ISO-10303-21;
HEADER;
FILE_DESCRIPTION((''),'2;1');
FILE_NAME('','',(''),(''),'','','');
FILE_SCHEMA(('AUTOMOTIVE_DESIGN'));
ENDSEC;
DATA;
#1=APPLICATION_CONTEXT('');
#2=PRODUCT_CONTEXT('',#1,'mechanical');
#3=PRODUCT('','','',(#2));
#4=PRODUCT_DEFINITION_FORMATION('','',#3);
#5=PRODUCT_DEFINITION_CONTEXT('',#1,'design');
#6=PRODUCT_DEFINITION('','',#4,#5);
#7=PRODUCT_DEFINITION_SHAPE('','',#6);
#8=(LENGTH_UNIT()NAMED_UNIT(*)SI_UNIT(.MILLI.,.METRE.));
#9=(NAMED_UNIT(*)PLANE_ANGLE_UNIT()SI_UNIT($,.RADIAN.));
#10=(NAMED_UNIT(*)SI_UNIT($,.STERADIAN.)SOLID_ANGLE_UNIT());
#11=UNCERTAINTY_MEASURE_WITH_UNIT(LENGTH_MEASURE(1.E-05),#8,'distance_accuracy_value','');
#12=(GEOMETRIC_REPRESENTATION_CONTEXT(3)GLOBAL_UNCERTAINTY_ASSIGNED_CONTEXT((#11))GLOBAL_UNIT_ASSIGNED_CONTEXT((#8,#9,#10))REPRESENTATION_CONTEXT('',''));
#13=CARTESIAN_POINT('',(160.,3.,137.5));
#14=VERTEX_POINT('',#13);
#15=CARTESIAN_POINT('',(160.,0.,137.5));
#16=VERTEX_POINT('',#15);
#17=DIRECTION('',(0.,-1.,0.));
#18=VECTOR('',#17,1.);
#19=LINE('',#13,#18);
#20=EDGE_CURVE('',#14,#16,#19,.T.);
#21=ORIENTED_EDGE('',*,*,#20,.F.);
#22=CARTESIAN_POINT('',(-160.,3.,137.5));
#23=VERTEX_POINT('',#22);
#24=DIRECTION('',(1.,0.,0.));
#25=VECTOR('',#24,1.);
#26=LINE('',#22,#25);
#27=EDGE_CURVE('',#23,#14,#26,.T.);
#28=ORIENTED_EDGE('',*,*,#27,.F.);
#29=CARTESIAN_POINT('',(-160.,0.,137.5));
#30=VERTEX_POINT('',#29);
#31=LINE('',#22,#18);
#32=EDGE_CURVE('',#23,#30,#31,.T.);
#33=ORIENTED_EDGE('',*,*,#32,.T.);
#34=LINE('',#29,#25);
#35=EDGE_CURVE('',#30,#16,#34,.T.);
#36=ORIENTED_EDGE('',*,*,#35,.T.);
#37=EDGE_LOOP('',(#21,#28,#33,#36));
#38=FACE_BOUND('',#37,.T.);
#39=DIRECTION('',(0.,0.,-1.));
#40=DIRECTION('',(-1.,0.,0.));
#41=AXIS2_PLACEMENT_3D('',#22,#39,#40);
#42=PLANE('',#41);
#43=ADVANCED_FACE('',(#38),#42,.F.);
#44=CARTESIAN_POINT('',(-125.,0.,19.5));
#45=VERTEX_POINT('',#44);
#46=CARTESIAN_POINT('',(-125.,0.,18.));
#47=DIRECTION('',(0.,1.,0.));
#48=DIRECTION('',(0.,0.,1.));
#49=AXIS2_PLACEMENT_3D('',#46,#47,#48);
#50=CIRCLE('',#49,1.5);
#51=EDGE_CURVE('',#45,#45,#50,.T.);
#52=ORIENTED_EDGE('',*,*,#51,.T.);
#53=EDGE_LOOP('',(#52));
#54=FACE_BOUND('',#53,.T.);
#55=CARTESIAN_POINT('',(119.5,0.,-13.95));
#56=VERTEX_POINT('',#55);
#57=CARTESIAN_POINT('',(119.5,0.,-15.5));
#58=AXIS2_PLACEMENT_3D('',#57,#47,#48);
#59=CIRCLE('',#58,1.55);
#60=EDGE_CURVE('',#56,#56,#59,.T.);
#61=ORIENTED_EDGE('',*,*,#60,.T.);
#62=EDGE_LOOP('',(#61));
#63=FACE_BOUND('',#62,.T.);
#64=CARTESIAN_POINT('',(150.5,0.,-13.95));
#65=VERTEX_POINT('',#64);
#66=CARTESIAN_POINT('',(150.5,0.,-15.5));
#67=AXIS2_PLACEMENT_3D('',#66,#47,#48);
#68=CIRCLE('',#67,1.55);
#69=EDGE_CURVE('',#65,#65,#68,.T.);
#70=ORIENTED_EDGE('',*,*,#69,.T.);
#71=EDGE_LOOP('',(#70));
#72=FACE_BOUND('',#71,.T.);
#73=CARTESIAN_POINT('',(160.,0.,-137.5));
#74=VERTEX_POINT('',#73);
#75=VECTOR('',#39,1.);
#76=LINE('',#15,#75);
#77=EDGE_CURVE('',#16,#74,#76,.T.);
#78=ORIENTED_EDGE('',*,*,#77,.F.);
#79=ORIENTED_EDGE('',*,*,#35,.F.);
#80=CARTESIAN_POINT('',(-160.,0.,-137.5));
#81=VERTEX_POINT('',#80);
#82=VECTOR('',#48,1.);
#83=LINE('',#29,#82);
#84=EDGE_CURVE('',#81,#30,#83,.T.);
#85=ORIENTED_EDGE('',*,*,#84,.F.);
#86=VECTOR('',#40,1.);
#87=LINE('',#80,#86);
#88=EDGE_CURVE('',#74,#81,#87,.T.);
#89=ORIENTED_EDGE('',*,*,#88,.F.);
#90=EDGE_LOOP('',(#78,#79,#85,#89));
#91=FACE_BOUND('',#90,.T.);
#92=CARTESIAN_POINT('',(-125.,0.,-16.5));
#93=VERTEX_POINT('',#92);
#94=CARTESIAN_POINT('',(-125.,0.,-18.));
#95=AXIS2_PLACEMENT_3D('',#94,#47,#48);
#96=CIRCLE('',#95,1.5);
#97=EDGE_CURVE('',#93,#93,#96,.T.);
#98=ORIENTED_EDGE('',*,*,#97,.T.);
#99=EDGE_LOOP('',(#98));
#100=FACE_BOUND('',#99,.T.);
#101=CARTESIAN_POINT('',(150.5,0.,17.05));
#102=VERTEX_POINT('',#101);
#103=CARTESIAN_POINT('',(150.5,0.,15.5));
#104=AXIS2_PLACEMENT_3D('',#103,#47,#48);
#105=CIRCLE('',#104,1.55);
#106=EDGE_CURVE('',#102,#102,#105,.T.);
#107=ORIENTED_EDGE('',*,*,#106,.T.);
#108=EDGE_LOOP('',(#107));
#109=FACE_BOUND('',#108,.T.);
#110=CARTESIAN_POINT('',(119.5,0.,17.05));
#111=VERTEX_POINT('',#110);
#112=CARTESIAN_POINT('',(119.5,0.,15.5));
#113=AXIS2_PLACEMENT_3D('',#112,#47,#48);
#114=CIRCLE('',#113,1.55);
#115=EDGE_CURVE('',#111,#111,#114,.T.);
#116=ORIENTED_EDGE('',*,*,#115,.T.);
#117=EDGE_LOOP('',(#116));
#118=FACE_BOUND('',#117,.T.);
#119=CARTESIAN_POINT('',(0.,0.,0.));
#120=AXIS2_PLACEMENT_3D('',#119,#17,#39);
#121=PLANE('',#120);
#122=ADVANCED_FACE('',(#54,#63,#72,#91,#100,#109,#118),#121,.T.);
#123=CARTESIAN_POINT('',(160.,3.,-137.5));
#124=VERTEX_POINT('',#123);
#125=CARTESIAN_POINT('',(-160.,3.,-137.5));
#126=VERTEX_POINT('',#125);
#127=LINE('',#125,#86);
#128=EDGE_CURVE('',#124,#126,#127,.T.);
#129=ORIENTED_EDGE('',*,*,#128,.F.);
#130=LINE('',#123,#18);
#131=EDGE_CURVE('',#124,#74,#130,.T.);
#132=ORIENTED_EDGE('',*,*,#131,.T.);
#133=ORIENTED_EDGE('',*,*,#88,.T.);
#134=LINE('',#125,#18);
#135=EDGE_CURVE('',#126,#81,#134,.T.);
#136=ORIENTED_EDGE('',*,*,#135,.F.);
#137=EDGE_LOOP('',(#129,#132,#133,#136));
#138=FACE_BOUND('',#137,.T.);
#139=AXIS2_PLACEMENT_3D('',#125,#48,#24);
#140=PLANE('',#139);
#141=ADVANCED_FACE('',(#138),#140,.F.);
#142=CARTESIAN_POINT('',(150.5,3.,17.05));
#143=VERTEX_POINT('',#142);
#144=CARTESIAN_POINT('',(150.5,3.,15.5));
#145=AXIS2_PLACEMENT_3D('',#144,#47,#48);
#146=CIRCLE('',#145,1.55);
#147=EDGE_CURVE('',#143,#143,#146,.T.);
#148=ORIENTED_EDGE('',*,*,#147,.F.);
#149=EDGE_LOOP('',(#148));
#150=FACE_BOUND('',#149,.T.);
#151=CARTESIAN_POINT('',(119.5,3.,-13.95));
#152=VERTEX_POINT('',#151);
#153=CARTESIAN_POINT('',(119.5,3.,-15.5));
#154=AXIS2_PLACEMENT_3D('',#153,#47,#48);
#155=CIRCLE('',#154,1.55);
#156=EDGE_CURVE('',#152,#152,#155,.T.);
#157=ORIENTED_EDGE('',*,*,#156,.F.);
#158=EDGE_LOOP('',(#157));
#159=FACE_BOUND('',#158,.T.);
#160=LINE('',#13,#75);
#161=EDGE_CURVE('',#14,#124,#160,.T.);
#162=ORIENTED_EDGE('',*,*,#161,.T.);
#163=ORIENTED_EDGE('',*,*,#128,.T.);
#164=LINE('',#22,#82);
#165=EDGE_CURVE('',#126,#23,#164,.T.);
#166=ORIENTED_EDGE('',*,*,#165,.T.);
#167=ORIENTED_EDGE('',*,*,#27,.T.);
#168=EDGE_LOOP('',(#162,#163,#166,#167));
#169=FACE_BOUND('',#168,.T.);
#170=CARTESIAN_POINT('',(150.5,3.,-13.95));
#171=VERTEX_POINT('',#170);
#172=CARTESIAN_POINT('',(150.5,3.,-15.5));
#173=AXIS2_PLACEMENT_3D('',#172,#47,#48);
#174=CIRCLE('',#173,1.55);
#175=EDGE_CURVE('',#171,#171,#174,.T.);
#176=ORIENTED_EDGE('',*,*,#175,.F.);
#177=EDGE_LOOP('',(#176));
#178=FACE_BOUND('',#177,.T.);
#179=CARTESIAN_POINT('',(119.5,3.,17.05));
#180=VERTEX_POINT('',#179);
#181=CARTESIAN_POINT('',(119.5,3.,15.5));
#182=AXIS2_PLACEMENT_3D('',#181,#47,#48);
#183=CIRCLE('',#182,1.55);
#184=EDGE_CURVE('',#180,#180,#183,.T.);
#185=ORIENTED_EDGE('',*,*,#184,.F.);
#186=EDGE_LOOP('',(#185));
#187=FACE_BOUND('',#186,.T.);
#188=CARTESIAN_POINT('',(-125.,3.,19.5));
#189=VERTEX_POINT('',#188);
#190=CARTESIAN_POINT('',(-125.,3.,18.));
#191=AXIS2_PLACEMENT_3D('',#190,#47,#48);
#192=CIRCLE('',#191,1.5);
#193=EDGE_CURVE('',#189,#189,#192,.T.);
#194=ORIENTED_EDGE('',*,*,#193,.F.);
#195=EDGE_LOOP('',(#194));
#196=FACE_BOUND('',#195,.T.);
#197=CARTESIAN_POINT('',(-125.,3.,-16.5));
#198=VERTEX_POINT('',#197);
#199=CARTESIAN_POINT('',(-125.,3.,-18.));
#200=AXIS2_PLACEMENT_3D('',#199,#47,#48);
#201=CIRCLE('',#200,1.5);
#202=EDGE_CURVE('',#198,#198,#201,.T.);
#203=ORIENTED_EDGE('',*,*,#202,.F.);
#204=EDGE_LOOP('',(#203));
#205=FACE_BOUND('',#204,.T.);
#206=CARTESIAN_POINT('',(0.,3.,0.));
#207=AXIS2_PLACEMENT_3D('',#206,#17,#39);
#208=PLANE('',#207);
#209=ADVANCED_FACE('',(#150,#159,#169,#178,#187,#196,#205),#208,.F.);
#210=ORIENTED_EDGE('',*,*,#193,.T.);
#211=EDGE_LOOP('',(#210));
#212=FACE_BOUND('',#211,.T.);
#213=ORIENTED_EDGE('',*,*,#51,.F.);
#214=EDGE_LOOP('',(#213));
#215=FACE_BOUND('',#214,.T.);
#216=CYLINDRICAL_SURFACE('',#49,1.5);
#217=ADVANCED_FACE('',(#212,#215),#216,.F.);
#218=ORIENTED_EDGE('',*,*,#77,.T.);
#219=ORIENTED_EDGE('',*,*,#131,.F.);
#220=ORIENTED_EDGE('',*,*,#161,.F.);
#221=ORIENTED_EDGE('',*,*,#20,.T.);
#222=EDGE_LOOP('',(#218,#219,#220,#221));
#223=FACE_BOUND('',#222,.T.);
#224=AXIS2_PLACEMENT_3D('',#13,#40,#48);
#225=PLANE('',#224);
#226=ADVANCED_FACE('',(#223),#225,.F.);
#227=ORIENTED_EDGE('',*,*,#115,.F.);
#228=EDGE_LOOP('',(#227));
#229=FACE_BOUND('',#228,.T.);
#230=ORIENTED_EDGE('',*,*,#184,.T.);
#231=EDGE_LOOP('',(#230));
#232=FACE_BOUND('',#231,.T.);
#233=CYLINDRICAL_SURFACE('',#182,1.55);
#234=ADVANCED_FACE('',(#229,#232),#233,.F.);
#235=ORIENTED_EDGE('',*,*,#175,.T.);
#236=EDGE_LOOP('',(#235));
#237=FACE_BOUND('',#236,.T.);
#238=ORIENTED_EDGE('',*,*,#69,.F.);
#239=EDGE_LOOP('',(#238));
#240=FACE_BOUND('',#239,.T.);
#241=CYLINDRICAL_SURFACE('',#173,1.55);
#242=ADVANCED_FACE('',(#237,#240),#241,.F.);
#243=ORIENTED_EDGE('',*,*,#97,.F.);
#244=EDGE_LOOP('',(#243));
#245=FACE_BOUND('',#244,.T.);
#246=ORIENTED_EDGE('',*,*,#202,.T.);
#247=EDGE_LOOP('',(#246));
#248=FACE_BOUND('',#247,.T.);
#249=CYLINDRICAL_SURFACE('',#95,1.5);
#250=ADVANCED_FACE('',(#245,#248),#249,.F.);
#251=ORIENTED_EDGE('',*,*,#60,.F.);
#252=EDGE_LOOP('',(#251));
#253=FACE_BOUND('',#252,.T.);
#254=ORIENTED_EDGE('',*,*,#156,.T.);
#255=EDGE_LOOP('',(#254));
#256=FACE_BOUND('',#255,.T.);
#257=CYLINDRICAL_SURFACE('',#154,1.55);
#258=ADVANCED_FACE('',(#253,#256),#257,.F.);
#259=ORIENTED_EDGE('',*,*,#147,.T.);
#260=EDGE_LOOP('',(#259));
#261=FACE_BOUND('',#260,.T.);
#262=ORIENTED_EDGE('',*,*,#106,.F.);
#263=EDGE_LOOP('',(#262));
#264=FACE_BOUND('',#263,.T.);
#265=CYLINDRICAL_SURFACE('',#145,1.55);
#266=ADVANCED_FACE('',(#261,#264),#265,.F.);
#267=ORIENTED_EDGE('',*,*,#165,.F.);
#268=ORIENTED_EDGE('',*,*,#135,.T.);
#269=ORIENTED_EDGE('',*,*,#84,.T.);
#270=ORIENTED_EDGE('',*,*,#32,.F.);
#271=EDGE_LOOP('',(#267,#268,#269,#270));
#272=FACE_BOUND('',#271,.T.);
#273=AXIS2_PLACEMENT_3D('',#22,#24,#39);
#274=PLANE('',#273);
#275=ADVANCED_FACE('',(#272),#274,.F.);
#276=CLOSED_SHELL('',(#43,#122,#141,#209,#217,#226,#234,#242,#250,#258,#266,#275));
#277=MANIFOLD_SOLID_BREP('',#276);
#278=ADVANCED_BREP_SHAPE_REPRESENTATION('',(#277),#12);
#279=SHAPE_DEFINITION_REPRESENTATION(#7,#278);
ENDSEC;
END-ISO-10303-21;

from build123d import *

# Parameters (mm, degrees)
SKETCH1_W                      = 320
SKETCH1_H                      = 275
BOSS_EXTRUDE1_DEPTH            = 3
TALADRO_DE_MARGEN_PARA_M2_51_D = 3.1
SKETCH6_R                      = 1.5
CUT_EXTRUDE1_DEPTH             = 211.986373968


with BuildPart() as part:
    # Sketch1 → Boss-Extrude1 (new body)
    with BuildSketch(Plane(origin=(0, 0, 0), x_dir=(1, 0, 0), z_dir=(0, 1, 0))):
        Rectangle(SKETCH1_W, SKETCH1_H)
    extrude(amount=BOSS_EXTRUDE1_DEPTH)

    # Taladro de margen para M2.51 (through all)
    with Locations(Plane(origin=(0, 3, 0), x_dir=(1, 0, 0), z_dir=(0, 1, 0))):
        with Locations((150.5, 15.5), (150.5, -15.5), (119.5, -15.5), (119.5, 15.5)):
            Hole(TALADRO_DE_MARGEN_PARA_M2_51_D / 2)

    # Sketch6 → Cut-Extrude1 (cut, through all)
    with BuildSketch(Plane(origin=(0, 3, 0), x_dir=(1, 0, 0), z_dir=(0, 1, 0))):
        with Locations(Location((-125, -18, 0), (0, 0, 270))):
            Circle(SKETCH6_R)
        with Locations(Location((-125, 18, 0), (0, 0, 270))):
            Circle(SKETCH6_R)
    extrude(amount=-CUT_EXTRUDE1_DEPTH, mode=Mode.SUBTRACT)


solid = part.part
